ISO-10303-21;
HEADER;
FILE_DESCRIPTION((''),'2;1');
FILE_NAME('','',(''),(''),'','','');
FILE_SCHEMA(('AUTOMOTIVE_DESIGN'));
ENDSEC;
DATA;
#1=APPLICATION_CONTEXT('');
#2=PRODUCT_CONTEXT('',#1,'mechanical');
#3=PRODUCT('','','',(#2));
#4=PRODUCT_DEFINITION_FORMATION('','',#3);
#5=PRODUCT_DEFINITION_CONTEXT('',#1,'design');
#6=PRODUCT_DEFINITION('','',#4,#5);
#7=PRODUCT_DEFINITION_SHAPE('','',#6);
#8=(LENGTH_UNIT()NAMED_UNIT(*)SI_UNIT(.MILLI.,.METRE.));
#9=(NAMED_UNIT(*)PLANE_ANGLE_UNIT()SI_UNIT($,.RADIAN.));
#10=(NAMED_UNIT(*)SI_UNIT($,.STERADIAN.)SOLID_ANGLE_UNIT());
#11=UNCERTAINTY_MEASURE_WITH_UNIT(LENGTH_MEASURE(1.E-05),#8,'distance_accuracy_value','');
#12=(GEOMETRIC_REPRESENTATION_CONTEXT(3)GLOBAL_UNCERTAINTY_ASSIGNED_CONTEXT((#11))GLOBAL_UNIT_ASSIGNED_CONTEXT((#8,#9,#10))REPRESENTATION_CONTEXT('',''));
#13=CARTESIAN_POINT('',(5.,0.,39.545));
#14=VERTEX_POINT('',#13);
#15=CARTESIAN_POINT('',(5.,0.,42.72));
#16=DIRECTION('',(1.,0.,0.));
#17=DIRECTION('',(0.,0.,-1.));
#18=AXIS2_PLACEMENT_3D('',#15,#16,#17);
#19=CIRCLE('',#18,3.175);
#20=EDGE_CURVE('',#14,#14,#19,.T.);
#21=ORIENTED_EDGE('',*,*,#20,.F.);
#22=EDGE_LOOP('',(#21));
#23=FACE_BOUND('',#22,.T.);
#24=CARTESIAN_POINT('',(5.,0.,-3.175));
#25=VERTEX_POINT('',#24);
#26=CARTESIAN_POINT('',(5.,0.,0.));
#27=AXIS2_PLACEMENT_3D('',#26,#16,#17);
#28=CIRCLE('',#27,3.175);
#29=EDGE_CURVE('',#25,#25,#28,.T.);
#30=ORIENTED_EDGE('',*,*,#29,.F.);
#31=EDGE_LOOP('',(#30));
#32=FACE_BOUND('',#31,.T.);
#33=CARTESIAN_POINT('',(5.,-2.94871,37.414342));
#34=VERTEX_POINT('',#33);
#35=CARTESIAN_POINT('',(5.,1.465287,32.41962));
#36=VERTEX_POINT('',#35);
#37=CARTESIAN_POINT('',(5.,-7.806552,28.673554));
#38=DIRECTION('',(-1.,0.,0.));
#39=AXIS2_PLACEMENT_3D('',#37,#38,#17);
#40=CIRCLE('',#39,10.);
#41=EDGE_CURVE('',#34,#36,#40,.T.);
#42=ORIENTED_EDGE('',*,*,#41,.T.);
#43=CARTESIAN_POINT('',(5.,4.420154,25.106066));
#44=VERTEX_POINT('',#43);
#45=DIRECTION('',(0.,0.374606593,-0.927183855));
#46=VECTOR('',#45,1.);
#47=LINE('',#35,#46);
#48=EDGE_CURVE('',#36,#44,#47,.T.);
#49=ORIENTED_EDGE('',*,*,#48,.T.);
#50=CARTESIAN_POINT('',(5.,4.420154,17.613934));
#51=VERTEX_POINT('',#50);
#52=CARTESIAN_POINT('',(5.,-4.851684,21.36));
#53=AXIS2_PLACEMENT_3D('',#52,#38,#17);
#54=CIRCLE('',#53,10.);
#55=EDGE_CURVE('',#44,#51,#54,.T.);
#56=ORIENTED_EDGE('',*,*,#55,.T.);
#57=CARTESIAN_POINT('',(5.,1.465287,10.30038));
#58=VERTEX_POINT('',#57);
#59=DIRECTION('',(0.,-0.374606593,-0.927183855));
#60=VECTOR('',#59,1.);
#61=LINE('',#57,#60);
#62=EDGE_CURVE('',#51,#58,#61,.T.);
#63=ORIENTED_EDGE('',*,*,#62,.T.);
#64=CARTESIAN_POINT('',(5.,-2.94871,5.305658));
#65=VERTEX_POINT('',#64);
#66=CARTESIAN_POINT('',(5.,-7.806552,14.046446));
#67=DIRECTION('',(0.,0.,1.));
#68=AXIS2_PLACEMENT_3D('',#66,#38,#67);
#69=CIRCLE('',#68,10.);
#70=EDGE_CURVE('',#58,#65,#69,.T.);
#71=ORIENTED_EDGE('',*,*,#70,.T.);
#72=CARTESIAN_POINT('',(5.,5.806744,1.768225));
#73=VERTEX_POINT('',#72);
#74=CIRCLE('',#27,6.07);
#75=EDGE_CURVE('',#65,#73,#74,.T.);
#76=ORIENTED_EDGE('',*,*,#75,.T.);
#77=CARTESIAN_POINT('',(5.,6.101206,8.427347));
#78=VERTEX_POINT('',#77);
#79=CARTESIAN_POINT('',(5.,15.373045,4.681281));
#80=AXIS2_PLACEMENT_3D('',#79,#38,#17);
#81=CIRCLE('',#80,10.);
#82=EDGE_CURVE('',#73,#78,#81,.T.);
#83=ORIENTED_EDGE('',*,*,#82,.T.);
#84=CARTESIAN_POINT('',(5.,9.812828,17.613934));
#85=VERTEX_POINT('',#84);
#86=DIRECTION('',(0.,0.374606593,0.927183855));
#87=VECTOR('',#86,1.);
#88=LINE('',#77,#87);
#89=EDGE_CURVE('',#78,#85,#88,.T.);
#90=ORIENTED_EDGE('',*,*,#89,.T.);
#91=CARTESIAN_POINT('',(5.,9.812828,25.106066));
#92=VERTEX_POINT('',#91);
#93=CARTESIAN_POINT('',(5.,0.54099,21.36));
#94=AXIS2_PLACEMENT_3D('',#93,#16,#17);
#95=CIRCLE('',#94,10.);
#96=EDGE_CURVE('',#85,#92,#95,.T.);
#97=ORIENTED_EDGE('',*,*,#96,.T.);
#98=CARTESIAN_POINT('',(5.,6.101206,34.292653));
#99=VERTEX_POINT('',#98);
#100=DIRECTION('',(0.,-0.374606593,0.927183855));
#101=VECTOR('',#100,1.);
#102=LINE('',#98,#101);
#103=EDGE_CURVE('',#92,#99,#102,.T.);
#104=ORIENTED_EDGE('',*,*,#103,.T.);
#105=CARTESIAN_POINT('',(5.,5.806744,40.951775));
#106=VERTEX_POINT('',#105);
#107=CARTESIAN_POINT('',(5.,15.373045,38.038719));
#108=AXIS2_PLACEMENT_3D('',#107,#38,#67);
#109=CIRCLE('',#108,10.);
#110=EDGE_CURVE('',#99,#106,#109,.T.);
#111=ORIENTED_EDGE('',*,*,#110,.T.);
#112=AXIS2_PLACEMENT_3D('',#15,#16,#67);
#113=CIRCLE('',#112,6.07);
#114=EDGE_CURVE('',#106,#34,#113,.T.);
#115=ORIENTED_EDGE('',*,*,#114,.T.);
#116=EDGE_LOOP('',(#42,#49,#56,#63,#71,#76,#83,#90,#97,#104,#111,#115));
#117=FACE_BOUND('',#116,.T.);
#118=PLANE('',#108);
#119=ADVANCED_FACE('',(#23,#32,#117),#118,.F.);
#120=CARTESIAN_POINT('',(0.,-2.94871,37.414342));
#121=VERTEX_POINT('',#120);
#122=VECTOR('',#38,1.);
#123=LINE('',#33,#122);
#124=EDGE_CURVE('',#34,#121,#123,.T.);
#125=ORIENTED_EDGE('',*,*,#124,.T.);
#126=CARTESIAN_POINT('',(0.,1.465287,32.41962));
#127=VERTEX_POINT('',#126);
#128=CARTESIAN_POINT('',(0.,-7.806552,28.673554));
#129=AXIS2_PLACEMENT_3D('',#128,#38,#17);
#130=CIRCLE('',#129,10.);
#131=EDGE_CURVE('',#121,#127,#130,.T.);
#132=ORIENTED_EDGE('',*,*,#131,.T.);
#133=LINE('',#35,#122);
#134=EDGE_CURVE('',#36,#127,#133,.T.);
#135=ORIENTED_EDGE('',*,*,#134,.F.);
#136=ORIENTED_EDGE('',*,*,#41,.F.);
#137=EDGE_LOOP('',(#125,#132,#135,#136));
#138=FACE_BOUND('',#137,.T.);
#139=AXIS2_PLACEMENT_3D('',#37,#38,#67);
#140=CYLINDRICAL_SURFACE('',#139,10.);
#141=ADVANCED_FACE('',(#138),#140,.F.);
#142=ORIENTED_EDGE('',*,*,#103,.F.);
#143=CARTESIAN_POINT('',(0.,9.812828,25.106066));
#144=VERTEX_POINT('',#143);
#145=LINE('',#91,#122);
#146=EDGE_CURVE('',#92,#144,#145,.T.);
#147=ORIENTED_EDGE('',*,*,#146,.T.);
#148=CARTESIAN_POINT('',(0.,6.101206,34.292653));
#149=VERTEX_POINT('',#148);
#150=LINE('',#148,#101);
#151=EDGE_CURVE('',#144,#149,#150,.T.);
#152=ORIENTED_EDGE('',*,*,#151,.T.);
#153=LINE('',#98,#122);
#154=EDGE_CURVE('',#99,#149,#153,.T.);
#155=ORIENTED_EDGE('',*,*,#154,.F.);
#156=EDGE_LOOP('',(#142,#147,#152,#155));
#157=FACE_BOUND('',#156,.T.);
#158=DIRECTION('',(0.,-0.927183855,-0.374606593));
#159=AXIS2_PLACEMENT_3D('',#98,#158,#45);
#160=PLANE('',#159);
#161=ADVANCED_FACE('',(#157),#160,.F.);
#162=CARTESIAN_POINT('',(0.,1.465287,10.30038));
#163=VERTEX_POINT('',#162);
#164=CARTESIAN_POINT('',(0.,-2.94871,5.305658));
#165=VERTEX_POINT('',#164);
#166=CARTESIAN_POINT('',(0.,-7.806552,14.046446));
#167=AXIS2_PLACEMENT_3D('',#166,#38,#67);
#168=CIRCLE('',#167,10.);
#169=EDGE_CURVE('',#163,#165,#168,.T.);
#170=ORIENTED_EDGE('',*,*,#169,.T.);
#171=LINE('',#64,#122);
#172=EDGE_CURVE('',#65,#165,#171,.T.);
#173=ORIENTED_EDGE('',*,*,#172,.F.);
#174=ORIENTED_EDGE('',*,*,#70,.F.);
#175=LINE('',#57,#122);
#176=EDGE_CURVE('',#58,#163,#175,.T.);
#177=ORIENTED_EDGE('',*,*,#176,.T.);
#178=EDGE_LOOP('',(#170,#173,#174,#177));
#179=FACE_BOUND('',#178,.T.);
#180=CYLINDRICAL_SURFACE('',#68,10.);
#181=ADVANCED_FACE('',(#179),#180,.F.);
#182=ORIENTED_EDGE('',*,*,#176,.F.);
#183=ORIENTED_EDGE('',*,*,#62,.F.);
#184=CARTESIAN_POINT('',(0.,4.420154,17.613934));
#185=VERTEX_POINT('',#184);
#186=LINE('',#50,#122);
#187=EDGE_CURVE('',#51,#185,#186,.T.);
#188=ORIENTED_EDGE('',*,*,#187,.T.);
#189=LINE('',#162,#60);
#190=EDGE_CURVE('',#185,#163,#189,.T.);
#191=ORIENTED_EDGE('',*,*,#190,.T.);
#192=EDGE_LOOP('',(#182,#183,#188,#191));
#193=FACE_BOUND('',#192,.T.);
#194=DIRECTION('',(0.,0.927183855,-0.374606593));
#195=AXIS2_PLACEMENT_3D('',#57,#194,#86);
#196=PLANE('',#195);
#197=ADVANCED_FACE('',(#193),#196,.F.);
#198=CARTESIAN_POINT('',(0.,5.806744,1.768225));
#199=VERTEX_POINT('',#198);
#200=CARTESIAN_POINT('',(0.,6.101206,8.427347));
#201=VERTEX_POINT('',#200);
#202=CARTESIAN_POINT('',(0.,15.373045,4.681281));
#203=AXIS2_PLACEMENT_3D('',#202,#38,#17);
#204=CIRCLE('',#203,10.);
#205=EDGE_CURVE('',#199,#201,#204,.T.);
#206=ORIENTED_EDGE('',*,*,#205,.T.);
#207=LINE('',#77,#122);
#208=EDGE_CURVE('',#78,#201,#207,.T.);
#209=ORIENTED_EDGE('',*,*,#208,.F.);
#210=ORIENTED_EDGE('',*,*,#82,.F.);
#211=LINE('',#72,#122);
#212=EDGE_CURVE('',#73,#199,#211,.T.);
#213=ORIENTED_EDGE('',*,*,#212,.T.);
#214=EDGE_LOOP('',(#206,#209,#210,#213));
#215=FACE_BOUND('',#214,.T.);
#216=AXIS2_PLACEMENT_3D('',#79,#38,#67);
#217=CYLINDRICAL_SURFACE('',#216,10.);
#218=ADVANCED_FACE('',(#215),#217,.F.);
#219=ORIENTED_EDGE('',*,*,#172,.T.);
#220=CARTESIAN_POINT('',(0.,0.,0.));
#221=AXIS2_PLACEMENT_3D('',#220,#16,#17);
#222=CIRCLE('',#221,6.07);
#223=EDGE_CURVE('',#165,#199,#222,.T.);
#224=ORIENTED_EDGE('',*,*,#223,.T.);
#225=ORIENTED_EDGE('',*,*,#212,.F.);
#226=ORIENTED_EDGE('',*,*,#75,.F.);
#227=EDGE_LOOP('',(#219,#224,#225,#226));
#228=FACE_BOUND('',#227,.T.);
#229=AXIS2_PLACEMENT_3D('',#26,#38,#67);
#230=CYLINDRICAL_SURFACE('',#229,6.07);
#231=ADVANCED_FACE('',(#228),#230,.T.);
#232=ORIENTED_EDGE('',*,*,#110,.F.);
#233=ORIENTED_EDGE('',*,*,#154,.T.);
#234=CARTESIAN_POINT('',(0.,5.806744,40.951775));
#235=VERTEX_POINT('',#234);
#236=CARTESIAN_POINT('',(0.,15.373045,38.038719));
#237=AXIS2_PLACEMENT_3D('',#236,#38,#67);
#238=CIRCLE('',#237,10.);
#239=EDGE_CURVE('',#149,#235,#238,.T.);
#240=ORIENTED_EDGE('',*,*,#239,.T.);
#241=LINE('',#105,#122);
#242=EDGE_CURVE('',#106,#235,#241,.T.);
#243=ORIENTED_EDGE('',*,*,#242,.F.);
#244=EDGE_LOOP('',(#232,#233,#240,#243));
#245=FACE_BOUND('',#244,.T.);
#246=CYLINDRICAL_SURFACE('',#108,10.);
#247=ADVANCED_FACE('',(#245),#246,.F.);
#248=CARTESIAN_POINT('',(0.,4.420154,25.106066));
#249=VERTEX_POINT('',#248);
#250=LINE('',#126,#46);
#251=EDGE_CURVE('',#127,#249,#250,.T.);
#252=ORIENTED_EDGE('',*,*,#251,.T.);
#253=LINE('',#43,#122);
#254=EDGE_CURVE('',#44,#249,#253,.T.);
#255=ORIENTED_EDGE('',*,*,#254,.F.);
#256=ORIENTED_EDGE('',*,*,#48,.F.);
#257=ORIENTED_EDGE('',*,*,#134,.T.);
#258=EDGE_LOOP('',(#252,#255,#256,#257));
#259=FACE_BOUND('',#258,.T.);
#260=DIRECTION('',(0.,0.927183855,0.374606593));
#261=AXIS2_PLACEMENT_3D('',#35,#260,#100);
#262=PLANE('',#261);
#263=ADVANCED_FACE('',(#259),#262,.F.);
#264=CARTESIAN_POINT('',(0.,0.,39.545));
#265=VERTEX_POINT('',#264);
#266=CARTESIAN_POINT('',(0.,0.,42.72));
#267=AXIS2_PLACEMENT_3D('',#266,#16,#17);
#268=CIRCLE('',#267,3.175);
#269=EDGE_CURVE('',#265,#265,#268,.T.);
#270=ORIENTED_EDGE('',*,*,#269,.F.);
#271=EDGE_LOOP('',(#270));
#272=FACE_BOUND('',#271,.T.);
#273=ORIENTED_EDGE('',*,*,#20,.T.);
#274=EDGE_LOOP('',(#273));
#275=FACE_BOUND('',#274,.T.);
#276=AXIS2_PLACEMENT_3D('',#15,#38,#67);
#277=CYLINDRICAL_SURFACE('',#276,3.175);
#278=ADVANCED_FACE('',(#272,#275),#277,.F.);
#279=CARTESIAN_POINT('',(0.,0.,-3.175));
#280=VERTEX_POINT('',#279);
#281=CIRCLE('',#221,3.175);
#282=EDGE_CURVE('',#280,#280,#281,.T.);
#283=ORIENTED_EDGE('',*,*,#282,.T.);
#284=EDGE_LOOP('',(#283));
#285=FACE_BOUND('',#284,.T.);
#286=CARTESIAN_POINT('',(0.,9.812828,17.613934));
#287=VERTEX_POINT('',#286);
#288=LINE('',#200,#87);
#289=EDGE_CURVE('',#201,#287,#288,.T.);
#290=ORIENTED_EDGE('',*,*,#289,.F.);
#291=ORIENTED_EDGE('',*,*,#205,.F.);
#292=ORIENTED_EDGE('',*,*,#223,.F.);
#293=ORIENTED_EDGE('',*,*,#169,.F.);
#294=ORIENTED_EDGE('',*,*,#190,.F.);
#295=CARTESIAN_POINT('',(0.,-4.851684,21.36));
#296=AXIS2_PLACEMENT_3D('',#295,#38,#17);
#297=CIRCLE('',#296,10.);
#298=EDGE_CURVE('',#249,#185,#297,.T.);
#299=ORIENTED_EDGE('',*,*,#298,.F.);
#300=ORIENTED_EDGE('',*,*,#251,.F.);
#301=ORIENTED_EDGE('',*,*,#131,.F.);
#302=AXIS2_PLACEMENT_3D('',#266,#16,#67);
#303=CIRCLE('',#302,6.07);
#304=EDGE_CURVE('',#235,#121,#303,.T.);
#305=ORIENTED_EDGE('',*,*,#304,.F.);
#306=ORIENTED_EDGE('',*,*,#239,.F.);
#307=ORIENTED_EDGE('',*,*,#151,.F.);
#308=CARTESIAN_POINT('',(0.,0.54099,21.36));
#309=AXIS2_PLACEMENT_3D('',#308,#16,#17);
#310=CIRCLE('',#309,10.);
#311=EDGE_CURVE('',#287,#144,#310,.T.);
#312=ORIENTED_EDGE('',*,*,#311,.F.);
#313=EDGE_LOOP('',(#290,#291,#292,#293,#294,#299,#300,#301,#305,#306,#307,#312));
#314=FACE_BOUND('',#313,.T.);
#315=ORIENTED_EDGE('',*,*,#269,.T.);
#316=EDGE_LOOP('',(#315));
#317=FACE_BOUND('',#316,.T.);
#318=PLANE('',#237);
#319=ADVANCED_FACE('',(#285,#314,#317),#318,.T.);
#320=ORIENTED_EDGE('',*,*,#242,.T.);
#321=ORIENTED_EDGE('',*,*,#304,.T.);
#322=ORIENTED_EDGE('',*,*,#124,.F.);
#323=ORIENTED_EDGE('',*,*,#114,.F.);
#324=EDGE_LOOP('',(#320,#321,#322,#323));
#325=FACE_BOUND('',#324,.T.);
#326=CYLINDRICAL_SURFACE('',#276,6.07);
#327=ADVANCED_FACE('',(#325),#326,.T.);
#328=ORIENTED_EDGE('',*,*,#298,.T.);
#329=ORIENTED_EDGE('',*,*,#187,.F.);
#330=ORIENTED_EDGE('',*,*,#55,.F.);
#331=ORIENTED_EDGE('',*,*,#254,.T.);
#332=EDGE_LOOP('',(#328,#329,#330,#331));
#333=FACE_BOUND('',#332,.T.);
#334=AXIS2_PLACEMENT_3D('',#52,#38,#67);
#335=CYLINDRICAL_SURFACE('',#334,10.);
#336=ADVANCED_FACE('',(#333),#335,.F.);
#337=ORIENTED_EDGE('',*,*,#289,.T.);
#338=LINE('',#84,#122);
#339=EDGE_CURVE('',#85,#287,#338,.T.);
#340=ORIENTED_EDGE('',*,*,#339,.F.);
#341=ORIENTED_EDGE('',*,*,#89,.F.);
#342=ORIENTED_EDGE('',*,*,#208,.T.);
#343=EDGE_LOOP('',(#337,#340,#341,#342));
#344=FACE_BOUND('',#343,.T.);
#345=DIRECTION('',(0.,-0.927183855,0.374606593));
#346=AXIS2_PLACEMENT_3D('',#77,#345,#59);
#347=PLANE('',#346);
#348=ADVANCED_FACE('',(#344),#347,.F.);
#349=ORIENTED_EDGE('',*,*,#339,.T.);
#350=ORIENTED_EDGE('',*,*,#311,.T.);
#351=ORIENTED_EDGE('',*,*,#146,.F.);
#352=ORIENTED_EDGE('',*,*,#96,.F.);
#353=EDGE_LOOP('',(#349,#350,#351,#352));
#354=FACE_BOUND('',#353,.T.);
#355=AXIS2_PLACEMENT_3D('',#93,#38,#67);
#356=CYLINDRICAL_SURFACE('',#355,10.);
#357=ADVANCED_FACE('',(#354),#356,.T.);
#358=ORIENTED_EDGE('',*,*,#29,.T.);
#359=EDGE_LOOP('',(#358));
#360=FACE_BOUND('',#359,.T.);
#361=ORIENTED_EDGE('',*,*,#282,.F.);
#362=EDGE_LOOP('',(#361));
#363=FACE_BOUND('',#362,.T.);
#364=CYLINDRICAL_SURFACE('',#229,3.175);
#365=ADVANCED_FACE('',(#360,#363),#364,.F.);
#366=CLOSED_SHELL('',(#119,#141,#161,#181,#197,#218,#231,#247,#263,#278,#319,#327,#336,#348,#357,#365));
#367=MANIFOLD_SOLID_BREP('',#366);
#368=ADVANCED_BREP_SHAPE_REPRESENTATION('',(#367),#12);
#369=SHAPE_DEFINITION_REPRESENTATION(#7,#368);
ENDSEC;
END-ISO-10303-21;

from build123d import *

# Parameters (mm, degrees)
SKETCH1_R           = 3.175
BOSS_EXTRUDE1_DEPTH = 5


with BuildPart() as part:
    # Sketch1 → Boss-Extrude1 (new body)
    with BuildSketch(Plane(origin=(0, 0, 0), x_dir=(0, 0, -1), z_dir=(1, 0, 0))):
        with BuildLine():
            Line((-34.292652671, 6.101206192), (-25.106065934, 9.812828159))
            ThreePointArc((-25.106065934, 9.812828159), (-21.36, 10.540989614), (-17.613934066, 9.812828159))
            Line((-17.613934066, 9.812828159), (-8.427347329, 6.101206192))
            ThreePointArc((-8.427347329, 6.101206192), (-5.123042901, 5.382807164), (-1.768225144, 5.806744341))
            ThreePointArc((-1.768225144, 5.806744341), (5.628005997, -2.273862022), (-5.305658284, -2.948709917))
            ThreePointArc((-5.305658284, -2.948709917), (-7.424420711, -0.313302797), (-10.300380296, 1.465286919))
            Line((-10.300380296, 1.465286919), (-17.613934066, 4.420154446))
            ThreePointArc((-17.613934066, 4.420154446), (-21.36, 5.1483159), (-25.106065934, 4.420154446))
            Line((-25.106065934, 4.420154446), (-32.419619704, 1.465286919))
            ThreePointArc((-32.419619704, 1.465286919), (-35.295579289, -0.313302797), (-37.414341716, -2.948709917))
            ThreePointArc((-37.414341716, -2.948709917), (-48.348005997, -2.273862022), (-40.951774856, 5.806744341))
            ThreePointArc((-40.951774856, 5.806744341), (-37.596957099, 5.382807164), (-34.292652671, 6.101206192))
        make_face()
        Circle(SKETCH1_R, mode=Mode.SUBTRACT)
        with Locations((-42.72, 0)):
            Circle(SKETCH1_R, mode=Mode.SUBTRACT)
    extrude(amount=BOSS_EXTRUDE1_DEPTH)


solid = part.part
